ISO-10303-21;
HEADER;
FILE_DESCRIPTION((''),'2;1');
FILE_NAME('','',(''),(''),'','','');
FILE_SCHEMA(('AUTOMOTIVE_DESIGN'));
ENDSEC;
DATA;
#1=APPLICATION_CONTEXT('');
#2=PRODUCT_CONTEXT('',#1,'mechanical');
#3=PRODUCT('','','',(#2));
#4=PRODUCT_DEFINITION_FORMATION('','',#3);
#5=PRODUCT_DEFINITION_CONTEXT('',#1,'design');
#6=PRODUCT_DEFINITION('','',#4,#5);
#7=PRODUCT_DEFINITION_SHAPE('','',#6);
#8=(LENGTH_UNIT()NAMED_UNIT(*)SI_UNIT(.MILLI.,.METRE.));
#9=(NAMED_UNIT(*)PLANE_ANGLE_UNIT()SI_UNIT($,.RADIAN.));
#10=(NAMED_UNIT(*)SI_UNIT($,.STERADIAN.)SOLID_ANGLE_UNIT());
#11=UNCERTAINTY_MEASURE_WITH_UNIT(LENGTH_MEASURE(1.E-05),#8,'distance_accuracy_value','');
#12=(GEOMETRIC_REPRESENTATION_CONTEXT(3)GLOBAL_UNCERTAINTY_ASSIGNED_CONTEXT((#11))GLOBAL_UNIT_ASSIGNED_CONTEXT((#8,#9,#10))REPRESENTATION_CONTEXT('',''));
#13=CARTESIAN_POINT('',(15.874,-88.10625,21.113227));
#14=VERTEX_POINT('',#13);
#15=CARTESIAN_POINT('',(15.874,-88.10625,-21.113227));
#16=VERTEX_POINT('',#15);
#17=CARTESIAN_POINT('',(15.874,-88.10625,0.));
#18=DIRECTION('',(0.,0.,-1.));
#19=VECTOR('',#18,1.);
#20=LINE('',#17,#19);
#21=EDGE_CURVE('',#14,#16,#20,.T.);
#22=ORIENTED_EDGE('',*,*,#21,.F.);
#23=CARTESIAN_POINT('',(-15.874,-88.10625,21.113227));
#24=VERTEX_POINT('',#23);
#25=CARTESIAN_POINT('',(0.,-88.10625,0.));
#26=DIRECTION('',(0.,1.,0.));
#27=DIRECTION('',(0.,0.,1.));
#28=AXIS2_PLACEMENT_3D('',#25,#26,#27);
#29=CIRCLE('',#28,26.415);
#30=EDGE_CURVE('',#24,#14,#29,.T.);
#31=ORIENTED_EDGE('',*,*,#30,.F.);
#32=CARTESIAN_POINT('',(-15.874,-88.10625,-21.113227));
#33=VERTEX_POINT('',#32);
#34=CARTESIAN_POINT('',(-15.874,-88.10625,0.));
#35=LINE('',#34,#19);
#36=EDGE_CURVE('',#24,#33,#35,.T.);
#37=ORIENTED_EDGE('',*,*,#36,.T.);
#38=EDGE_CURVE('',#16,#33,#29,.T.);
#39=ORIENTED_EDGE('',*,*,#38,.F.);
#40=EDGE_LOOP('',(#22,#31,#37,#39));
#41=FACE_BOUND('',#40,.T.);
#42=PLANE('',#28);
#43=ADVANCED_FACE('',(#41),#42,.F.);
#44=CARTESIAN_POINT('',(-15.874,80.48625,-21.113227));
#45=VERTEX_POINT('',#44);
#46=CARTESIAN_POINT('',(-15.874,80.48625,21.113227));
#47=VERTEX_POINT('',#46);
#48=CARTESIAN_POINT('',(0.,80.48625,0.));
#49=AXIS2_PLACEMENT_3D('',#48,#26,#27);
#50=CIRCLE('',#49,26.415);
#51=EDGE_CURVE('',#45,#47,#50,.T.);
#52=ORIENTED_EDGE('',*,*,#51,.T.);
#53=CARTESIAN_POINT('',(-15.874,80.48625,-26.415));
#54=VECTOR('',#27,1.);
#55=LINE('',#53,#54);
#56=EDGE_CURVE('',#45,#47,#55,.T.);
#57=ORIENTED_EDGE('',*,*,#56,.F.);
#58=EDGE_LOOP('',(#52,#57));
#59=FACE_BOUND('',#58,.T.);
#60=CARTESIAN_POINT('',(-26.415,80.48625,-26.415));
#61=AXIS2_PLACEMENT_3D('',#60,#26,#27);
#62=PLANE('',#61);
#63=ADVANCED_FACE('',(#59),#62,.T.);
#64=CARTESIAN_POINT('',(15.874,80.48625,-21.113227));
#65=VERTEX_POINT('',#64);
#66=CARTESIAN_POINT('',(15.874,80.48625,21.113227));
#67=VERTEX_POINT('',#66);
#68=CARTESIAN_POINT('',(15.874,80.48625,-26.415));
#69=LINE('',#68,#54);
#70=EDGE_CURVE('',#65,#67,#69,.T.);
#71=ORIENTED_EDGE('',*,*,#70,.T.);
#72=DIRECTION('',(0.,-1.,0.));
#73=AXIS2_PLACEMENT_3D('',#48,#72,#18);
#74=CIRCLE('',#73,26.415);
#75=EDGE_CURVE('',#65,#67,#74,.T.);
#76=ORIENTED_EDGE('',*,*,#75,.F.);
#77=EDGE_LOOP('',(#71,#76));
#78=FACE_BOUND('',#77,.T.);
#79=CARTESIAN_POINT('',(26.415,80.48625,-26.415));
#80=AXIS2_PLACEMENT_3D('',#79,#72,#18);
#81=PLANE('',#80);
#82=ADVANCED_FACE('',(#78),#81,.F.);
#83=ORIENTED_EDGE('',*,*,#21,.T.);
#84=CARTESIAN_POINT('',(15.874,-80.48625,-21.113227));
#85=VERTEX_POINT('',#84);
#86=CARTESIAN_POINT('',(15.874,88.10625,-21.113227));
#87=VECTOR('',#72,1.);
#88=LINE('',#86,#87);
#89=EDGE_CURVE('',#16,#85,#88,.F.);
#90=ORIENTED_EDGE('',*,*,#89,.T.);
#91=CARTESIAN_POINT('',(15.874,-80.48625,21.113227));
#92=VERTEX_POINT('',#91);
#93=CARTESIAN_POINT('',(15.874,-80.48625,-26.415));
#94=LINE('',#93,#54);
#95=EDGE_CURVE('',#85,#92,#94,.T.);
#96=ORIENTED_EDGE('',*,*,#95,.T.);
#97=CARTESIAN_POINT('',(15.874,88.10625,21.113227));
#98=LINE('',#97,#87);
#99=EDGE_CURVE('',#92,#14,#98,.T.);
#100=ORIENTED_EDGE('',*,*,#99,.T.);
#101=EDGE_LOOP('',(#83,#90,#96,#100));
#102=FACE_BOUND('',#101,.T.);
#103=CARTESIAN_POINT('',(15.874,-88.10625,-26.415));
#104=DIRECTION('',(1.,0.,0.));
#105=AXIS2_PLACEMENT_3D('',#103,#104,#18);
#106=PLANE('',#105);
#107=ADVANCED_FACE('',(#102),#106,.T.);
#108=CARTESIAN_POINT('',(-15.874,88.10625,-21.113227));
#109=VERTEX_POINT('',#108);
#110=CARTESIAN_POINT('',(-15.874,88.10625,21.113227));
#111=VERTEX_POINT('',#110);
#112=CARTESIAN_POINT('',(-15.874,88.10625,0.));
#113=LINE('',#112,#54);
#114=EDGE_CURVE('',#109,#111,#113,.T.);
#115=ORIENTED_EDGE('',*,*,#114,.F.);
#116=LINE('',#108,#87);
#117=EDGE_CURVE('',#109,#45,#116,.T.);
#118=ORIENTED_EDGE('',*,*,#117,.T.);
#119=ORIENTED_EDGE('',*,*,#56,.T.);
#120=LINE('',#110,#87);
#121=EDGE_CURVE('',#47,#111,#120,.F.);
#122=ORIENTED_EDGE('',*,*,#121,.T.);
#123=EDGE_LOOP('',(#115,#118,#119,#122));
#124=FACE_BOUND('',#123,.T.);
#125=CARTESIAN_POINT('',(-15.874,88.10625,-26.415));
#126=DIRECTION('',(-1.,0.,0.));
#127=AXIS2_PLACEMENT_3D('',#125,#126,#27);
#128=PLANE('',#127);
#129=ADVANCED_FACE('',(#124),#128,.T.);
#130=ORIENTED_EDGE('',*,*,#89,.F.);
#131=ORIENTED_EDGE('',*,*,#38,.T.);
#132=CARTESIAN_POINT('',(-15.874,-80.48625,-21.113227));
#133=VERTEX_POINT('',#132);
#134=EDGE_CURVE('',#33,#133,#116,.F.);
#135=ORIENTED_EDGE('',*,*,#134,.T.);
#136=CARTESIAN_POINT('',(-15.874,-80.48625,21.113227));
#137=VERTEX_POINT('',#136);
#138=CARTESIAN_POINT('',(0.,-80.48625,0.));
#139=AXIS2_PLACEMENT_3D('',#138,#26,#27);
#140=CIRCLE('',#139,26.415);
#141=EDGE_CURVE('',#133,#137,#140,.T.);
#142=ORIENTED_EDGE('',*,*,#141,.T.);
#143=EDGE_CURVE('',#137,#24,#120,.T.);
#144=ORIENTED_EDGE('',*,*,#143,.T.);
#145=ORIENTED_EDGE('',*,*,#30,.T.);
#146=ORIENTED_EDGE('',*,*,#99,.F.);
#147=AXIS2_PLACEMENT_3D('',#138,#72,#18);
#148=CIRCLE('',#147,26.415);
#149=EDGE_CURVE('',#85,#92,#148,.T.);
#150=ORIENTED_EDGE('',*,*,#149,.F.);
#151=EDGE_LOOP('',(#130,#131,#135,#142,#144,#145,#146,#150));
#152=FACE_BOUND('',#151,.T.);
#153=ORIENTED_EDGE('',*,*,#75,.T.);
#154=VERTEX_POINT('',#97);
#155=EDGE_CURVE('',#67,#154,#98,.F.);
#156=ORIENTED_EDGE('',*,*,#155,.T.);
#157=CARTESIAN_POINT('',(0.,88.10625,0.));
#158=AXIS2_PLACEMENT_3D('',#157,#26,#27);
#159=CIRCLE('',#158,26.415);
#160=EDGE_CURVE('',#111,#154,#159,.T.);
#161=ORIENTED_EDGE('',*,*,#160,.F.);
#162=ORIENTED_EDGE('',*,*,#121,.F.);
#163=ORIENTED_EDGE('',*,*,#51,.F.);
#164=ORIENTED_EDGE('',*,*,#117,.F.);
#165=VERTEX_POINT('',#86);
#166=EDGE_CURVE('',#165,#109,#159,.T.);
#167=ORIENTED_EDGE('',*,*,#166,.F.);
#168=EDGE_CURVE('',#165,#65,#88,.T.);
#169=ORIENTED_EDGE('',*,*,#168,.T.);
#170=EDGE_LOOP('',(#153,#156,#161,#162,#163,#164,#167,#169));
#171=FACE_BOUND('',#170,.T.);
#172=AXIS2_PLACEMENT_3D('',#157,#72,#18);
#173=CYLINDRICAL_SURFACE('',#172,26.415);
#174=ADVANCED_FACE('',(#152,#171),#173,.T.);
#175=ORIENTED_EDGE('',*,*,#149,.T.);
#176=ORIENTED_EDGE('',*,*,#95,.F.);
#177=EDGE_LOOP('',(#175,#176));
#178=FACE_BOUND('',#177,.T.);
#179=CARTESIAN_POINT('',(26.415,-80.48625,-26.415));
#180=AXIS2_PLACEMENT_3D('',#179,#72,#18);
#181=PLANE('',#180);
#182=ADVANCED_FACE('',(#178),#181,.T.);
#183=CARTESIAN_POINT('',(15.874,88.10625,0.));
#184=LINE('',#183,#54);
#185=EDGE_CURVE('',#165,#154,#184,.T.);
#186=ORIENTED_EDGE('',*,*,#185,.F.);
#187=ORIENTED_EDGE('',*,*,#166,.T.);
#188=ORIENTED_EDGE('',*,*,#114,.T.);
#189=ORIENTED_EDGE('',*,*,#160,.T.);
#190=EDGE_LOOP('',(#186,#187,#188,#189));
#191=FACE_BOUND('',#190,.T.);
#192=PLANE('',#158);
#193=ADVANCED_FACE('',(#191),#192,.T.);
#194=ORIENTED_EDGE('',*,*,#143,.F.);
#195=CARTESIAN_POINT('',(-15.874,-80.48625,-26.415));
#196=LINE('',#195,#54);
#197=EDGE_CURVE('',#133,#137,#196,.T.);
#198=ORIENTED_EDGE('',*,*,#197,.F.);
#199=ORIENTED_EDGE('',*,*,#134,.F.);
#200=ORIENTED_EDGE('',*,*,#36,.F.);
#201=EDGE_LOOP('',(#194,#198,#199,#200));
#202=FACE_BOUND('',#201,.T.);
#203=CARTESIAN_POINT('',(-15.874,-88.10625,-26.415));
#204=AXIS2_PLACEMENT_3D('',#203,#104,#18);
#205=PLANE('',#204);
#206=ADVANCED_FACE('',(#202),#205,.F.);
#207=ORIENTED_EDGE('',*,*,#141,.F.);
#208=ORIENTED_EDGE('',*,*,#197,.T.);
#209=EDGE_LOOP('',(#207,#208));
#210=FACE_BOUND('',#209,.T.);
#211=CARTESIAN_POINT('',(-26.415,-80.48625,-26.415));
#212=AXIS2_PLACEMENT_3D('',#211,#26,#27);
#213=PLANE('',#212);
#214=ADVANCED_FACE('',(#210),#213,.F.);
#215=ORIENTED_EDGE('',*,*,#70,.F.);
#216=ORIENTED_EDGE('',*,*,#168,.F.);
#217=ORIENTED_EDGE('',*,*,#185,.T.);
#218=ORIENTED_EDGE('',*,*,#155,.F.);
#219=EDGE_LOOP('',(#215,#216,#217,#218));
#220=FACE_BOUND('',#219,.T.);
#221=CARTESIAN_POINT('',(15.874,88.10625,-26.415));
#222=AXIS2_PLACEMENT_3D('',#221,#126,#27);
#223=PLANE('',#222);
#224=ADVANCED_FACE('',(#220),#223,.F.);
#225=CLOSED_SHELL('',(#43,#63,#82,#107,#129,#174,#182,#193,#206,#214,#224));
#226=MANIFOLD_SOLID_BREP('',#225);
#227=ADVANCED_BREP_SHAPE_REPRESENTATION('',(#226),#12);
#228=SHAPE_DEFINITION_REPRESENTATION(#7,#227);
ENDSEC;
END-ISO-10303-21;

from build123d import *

# Parameters (mm, degrees)
SKETCH2_R               = 26.415
EXTRUDE1_DEPTH          = 88.10625
SKETCH3_W               = 10.541
SKETCH3_H               = 7.62
EXTRUDE2_DEPTH          = 27.415
MIRROR2_COPY_1_SKETCH_W = 10.541
MIRROR2_COPY_1_SKETCH_H = 7.62
MIRROR2_COPY_1_DEPTH    = 27.415


with BuildPart() as part:
    # Sketch2 → Extrude1 (new body, symmetric)
    with BuildSketch(Plane(origin=(0, 0, 0), x_dir=(1, 0, 0), z_dir=(0, 1, 0))):
        Circle(SKETCH2_R)
    extrude(amount=EXTRUDE1_DEPTH, both=True)

    # Sketch3 → Extrude2 (cut, symmetric)
    with BuildSketch(Plane.XY):
        with Locations((21.1445, 84.29625)):
            Rectangle(SKETCH3_W, SKETCH3_H)
    extrude2 = extrude(amount=EXTRUDE2_DEPTH, both=True, mode=Mode.SUBTRACT)

    # Mirror1: Extrude2 across plane
    add(extrude2.mirror(Plane(origin=(0, 0, 0), x_dir=(0, 0, 1), z_dir=(1, 0, 0))), mode=Mode.SUBTRACT)

    # Mirror2: Extrude2 across plane
    add(extrude2.mirror(Plane.ZX), mode=Mode.SUBTRACT)

    # Mirror2 copy 1 sketch → Mirror2 copy 1 (cut, symmetric)
    with BuildSketch(Plane(origin=(0, 0, 0), x_dir=(-1, 0, 0), z_dir=(0, 0, 1))):
        with Locations((21.1445, 84.29625)):
            Rectangle(MIRROR2_COPY_1_SKETCH_W, MIRROR2_COPY_1_SKETCH_H)
    extrude(amount=MIRROR2_COPY_1_DEPTH, both=True, mode=Mode.SUBTRACT)


solid = part.part
